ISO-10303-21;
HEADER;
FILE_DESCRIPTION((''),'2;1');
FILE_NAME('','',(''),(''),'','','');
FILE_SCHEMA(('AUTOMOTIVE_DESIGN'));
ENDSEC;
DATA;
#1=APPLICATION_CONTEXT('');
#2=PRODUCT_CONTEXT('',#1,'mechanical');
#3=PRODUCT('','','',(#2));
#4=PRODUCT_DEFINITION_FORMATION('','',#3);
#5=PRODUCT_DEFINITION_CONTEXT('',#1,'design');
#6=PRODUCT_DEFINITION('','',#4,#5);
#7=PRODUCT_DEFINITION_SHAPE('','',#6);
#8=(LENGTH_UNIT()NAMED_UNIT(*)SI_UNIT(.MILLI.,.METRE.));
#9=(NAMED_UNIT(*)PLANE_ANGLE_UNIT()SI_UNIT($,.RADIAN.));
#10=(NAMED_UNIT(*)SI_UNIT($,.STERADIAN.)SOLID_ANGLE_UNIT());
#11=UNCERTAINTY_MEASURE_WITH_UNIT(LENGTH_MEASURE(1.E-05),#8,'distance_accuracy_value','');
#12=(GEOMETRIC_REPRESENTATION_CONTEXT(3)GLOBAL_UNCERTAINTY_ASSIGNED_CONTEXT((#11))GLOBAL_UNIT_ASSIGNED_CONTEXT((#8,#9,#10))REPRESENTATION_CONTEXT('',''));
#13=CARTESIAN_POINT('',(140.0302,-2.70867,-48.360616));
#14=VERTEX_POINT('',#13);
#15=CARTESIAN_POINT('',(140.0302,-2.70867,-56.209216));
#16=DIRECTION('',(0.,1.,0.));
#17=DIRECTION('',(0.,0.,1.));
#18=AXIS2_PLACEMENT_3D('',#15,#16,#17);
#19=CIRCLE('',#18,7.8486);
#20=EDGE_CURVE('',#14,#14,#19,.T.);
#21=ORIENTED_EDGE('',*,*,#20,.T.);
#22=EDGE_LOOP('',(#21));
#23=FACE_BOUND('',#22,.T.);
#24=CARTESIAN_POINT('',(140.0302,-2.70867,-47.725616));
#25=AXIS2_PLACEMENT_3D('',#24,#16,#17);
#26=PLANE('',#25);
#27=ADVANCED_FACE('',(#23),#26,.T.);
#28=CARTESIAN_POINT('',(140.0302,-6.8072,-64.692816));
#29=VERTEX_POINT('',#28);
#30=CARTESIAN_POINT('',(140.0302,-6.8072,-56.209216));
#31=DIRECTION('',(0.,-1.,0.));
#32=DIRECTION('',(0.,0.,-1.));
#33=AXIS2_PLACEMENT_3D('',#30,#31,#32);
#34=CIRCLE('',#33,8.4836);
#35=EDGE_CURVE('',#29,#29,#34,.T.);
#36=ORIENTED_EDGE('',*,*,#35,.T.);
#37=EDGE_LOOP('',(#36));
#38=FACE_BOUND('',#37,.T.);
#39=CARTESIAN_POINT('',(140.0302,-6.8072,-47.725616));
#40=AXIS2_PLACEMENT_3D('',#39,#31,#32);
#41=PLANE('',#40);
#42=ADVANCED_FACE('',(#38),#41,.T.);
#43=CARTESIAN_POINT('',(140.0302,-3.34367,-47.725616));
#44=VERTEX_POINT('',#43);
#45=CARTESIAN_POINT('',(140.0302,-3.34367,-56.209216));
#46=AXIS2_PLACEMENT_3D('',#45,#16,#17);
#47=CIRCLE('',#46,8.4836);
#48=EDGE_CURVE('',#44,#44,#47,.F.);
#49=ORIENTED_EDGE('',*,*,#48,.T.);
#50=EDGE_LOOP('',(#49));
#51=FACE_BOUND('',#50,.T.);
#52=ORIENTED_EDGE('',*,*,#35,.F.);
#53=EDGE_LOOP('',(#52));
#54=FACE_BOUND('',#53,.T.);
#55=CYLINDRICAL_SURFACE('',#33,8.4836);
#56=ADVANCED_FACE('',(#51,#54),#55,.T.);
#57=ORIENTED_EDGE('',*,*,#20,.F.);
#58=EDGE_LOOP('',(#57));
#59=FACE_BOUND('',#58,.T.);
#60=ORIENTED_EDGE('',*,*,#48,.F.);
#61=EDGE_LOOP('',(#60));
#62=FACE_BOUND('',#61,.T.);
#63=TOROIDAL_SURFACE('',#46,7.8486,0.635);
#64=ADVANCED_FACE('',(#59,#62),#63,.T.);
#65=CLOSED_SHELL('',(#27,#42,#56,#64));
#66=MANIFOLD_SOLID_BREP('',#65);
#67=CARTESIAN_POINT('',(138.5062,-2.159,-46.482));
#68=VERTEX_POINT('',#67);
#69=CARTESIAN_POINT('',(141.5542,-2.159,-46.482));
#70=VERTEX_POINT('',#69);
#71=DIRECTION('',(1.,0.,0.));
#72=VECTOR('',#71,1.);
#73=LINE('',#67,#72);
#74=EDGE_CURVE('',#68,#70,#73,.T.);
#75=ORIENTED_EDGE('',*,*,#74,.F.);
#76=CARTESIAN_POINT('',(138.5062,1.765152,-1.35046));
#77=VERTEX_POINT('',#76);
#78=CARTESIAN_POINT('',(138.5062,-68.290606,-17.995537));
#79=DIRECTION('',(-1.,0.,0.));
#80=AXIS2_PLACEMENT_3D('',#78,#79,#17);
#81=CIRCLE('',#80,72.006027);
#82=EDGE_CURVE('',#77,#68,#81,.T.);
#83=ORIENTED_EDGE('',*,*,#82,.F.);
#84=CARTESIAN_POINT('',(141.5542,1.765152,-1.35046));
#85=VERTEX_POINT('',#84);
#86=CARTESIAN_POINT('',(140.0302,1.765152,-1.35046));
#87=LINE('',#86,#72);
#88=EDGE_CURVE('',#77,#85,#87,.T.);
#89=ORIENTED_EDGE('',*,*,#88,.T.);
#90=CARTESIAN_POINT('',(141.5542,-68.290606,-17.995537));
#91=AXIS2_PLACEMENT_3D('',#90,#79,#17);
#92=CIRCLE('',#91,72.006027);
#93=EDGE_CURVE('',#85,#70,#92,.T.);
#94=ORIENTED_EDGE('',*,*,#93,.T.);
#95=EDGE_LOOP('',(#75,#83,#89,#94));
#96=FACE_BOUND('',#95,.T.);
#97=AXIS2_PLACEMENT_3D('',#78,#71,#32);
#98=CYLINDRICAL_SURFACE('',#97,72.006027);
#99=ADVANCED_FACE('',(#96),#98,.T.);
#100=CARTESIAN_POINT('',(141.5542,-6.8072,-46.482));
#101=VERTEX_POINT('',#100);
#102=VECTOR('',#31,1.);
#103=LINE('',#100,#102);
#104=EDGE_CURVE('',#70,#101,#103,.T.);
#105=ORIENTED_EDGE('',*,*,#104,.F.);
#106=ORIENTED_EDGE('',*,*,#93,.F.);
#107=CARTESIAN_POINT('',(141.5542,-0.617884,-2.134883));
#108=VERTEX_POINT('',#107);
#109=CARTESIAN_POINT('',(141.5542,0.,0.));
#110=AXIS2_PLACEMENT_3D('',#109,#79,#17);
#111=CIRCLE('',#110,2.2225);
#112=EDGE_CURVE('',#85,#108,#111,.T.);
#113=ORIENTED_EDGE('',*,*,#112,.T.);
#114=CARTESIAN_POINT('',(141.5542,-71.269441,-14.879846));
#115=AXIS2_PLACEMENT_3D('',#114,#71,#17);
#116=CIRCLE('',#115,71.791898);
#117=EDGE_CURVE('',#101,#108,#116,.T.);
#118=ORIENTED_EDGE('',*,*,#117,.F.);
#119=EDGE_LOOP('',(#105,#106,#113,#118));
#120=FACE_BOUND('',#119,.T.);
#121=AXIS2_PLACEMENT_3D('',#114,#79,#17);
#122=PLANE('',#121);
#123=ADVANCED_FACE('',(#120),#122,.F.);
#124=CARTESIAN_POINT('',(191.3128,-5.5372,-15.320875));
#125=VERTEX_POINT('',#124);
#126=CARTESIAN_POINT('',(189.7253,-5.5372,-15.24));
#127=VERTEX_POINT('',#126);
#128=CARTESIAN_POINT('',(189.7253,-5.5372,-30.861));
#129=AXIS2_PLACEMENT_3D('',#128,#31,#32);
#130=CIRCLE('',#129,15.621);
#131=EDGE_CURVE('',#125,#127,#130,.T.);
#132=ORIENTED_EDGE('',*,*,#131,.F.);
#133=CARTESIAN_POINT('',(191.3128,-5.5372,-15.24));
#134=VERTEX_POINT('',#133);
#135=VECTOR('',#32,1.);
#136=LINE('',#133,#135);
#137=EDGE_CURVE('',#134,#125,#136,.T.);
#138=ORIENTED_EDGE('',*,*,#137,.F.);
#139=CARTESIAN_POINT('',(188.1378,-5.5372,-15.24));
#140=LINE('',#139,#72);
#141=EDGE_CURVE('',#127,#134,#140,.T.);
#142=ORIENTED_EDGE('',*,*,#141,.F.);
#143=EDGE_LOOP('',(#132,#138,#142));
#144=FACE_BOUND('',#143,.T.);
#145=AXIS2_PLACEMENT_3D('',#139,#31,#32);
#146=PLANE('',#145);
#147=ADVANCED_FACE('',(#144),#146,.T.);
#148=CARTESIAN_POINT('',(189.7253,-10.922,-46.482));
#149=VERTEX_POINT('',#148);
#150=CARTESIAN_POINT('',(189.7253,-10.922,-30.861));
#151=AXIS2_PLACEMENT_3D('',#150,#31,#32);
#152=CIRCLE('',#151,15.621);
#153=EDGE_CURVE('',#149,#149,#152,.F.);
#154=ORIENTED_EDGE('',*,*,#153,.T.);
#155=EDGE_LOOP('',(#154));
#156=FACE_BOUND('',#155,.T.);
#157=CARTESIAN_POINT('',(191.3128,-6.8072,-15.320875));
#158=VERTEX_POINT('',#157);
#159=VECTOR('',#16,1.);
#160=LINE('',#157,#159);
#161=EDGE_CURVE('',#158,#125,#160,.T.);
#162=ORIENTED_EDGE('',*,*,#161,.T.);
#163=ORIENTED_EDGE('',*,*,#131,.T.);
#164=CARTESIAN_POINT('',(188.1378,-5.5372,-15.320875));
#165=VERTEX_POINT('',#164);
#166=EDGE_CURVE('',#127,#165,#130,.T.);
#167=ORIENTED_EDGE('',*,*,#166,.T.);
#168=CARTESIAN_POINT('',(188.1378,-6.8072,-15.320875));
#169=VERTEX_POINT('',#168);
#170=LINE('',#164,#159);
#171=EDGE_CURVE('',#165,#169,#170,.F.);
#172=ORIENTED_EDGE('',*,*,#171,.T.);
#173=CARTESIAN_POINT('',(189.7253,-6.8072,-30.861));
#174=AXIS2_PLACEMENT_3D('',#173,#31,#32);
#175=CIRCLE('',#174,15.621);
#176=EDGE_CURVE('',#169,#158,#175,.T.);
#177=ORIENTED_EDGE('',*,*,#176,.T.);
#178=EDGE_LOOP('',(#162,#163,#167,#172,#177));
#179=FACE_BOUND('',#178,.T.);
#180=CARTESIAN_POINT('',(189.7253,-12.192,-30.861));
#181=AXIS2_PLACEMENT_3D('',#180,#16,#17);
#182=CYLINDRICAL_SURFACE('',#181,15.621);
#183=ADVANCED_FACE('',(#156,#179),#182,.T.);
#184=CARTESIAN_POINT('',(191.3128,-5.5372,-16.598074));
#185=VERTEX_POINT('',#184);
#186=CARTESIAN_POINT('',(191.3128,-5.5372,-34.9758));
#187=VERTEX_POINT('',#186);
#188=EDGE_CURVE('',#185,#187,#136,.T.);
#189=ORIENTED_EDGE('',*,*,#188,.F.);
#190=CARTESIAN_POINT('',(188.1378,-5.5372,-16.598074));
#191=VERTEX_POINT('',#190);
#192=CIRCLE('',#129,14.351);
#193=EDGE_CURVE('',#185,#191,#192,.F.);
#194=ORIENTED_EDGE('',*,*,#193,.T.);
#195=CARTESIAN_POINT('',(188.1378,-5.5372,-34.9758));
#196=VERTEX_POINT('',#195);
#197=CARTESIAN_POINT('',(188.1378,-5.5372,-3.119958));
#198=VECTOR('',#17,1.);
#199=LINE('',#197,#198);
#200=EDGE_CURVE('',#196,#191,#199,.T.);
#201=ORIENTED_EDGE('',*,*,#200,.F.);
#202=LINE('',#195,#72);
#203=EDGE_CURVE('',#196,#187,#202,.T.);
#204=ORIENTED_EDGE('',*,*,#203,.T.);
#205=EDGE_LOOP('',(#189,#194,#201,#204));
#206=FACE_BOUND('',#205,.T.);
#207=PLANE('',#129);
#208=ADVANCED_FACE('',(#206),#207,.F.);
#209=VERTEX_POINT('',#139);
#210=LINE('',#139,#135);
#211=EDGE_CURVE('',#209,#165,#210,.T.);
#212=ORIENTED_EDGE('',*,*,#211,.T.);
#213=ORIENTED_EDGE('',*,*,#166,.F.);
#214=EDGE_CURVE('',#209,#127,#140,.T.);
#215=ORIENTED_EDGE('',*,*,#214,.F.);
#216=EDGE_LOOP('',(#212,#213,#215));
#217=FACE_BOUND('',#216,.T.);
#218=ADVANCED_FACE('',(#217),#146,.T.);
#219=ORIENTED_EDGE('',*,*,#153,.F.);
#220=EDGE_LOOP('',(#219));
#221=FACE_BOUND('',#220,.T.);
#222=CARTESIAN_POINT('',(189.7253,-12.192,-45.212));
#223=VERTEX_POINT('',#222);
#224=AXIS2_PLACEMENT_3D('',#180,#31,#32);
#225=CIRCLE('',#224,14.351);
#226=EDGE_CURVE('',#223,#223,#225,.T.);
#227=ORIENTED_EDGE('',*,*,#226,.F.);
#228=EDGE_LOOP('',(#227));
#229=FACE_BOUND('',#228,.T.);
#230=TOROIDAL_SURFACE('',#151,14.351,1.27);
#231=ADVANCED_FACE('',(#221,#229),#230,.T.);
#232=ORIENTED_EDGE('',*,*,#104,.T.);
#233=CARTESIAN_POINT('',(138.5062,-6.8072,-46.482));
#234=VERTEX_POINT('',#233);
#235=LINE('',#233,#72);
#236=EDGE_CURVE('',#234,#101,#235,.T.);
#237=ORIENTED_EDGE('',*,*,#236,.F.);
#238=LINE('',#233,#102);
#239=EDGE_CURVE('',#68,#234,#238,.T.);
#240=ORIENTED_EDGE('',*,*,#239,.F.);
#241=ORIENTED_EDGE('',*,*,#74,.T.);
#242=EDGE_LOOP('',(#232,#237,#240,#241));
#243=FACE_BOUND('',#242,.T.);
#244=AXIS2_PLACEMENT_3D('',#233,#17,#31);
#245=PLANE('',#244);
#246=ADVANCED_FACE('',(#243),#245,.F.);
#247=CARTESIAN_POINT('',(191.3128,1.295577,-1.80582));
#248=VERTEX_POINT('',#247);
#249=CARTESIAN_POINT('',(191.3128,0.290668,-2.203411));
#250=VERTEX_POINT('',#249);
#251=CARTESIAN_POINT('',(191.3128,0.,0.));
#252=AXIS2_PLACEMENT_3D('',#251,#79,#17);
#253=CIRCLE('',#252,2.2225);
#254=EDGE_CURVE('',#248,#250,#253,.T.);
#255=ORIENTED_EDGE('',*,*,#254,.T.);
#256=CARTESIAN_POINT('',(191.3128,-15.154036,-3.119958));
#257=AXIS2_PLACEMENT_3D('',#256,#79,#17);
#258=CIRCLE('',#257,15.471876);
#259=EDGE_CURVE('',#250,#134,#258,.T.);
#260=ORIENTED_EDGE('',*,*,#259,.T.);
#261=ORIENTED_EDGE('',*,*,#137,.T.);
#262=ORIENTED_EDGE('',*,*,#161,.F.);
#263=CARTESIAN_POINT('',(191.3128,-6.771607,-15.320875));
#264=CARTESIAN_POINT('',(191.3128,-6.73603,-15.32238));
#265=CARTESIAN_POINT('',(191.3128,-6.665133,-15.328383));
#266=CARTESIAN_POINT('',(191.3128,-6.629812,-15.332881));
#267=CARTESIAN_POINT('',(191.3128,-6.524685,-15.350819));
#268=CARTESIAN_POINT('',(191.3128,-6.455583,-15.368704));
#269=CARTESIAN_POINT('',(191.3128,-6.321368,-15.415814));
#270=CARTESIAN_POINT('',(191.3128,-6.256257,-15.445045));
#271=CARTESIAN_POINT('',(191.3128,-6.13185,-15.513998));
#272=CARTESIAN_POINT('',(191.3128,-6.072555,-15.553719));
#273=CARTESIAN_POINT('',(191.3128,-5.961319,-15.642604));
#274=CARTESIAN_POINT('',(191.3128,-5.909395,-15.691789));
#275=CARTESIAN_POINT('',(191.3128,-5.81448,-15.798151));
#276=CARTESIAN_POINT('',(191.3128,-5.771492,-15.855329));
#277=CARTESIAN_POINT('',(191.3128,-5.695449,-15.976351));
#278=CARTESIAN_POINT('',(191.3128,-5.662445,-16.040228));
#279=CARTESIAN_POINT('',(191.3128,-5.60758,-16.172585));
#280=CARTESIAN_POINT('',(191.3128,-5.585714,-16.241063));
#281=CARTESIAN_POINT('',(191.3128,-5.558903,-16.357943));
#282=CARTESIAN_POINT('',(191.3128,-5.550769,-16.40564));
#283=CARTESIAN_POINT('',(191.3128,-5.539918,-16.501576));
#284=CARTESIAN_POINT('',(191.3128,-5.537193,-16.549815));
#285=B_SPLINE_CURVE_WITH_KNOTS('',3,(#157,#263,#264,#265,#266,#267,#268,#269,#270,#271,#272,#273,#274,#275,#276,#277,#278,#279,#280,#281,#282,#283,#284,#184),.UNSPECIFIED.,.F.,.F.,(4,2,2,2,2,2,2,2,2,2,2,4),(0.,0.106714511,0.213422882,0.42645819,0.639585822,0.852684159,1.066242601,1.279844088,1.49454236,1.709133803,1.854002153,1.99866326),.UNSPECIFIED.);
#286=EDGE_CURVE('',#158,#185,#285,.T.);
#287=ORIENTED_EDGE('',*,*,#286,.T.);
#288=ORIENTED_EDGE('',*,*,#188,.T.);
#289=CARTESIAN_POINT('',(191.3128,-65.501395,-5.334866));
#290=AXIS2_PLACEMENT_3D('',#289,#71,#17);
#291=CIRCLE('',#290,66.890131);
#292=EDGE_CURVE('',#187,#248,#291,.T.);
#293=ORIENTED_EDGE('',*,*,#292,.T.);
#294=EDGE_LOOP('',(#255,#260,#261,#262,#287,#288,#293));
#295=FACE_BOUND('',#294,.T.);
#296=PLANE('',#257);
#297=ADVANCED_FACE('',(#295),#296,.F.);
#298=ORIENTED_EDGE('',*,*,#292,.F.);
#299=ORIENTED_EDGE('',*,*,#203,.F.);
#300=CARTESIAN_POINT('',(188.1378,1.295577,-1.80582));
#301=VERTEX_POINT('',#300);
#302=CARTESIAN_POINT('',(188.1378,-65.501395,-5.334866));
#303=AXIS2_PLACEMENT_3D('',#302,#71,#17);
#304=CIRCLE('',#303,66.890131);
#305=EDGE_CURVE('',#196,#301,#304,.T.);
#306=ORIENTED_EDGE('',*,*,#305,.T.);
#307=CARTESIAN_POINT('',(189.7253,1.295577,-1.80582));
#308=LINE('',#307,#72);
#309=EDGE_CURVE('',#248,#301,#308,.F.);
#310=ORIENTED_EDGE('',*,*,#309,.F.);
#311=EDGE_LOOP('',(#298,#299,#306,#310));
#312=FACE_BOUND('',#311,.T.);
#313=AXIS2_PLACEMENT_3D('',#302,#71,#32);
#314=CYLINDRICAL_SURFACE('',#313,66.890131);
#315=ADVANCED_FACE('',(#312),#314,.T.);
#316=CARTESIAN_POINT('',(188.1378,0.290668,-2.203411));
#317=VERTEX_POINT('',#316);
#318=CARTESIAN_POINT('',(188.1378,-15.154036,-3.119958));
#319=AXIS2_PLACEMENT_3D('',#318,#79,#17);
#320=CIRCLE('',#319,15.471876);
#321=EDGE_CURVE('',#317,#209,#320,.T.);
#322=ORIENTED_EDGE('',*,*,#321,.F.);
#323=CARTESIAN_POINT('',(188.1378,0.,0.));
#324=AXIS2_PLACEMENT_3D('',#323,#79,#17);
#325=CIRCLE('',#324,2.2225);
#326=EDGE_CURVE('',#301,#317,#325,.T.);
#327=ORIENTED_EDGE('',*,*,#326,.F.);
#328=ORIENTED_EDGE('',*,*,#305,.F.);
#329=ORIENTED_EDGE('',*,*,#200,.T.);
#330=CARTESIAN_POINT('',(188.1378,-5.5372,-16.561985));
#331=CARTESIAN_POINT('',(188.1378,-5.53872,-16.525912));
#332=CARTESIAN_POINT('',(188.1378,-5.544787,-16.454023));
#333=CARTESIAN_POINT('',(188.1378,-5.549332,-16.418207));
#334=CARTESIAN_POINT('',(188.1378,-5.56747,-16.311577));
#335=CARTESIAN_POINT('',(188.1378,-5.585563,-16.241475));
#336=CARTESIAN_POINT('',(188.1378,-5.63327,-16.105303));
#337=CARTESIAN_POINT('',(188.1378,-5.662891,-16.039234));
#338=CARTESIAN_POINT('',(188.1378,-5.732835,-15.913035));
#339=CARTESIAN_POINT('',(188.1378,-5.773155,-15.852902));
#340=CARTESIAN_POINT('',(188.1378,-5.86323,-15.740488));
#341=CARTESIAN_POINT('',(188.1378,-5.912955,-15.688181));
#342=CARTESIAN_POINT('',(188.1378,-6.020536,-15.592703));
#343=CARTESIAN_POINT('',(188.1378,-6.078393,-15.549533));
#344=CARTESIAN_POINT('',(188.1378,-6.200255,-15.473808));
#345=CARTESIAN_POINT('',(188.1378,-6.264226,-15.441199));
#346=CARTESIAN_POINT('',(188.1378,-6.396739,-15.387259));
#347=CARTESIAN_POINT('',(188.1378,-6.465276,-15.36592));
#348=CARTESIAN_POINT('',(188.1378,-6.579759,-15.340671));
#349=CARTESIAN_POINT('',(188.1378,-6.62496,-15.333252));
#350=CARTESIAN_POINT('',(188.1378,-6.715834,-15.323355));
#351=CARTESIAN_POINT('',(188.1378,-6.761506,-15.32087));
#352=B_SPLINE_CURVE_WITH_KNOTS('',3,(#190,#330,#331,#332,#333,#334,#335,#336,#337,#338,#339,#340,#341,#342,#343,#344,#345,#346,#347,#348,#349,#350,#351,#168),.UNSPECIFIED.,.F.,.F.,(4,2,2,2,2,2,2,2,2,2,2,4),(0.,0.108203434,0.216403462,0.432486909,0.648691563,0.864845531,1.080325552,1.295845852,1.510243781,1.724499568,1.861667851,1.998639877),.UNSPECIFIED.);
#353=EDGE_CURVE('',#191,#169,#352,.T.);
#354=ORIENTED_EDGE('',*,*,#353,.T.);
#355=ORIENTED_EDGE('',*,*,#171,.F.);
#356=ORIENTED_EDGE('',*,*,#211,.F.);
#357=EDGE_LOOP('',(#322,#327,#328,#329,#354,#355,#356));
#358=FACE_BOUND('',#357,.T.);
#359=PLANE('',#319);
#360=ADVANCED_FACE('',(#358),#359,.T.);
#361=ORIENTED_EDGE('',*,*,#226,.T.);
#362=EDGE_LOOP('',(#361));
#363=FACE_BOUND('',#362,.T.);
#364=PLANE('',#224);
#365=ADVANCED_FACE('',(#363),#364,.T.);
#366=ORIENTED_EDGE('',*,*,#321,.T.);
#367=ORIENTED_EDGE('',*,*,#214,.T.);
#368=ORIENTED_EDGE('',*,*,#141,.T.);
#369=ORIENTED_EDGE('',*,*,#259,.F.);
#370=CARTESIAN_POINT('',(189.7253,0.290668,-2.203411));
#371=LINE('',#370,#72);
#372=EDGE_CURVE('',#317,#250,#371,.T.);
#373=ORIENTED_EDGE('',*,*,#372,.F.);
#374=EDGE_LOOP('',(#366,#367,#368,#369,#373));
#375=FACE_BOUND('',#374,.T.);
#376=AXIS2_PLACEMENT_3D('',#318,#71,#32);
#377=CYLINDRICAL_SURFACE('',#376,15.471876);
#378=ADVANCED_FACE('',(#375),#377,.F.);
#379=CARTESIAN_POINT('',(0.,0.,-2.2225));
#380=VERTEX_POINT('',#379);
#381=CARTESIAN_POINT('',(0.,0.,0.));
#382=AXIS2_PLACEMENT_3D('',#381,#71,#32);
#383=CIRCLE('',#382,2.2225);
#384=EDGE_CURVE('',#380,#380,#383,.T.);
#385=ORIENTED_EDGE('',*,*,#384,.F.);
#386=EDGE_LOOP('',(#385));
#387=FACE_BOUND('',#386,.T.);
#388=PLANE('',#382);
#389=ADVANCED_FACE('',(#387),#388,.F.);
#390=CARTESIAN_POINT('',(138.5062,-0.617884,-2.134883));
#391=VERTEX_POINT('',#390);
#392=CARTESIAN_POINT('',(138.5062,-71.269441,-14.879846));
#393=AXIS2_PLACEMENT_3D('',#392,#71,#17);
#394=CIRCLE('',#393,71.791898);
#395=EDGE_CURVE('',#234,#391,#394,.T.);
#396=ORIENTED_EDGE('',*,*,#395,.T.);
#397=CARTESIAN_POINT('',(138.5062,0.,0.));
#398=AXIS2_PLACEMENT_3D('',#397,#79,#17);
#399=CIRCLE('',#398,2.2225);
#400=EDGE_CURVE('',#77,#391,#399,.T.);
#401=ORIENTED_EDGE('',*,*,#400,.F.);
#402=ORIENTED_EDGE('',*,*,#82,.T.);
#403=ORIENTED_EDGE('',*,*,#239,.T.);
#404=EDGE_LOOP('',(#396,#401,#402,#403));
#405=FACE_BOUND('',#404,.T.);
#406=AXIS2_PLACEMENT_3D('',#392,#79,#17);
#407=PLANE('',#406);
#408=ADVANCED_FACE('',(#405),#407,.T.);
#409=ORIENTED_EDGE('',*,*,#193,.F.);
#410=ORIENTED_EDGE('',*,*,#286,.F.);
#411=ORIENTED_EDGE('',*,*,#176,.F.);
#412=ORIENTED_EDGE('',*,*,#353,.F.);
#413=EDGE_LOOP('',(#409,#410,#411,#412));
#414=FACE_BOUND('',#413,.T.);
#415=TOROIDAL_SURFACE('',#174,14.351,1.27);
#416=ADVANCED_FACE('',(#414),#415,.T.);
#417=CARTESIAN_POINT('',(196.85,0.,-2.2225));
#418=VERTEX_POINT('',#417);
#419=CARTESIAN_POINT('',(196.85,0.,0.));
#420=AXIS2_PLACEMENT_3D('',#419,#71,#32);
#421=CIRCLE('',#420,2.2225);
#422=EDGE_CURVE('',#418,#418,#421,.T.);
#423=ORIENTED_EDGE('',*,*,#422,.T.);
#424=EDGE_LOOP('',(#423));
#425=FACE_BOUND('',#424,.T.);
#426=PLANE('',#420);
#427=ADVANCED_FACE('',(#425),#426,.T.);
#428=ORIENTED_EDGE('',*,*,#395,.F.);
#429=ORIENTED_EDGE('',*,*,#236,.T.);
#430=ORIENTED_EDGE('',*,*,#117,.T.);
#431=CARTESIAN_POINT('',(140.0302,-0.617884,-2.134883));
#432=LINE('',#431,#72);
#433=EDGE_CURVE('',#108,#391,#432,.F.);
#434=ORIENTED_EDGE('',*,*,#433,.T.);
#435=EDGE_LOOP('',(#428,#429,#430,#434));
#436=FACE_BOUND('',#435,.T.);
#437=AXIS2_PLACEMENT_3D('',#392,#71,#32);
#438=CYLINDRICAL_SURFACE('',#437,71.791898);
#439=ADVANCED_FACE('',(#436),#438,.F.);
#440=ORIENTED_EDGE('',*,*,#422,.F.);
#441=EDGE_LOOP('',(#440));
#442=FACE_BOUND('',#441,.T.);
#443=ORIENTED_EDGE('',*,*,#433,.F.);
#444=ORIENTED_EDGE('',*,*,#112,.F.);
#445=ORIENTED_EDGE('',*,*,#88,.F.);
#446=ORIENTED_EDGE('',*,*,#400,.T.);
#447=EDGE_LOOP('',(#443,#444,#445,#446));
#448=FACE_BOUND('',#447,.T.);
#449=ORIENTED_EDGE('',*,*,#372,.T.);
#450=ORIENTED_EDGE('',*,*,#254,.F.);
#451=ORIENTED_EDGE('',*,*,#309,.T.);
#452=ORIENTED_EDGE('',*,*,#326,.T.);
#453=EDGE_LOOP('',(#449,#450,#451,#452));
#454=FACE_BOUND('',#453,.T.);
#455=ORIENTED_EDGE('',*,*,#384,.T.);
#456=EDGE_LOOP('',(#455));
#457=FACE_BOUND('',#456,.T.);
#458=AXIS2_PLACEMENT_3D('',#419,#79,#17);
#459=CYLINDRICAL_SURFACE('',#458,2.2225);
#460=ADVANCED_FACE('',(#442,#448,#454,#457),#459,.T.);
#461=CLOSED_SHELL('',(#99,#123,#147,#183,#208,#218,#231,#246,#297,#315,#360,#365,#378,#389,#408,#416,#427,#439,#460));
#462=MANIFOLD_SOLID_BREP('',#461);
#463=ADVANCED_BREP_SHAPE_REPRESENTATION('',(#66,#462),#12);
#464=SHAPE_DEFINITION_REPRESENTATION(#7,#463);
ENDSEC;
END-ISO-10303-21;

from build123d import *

# Parameters (mm, degrees)
SKETCH1_R           = 2.2225
BOSS_EXTRUDE1_DEPTH = 196.85
BOSS_EXTRUDE2_DEPTH = 3.175
SKETCH3_R           = 15.621
BOSS_EXTRUDE3_DEPTH = 6.6548
FILLET1_R           = 1.27
BOSS_EXTRUDE4_DEPTH = 3.048
SKETCH7_W           = 8.4836
SKETCH7_H           = 4.098529722
FILLET3_R           = 0.635


with BuildPart() as part:
    # Sketch1 → Boss-Extrude1 (new body)
    with BuildSketch(Plane(origin=(0, 0, 0), x_dir=(0, 0, -1), z_dir=(1, 0, 0))):
        Circle(SKETCH1_R)
    extrude(amount=BOSS_EXTRUDE1_DEPTH)

    # Sketch2 → Boss-Extrude2 (add)
    with BuildSketch(Plane(origin=(191.3128, 0, 0), x_dir=(0, 0, -1), z_dir=(1, 0, 0))):
        with BuildLine():
            Line((15.24, -5.5372), (34.9758, -5.5372))
            ThreePointArc((34.9758, -5.5372), (17.942872857, 0.189759615), (0, 1.175653677))
            Line((0, 1.175653677), (0, 0))
            ThreePointArc((0, 0), (8.40347241, -0.612253918), (15.24, -5.5372))
        make_face()
    extrude(amount=-BOSS_EXTRUDE2_DEPTH)

    # Sketch3 → Boss-Extrude3 (add)
    with BuildSketch(Plane.XZ.offset(5.5372)):
        with Locations(Location((189.7253, -30.861, 0), (0, 0, 90))):
            Circle(SKETCH3_R)
    extrude(amount=BOSS_EXTRUDE3_DEPTH)

    # Fillet1
    fillet1_edges = [part.edges().sort_by_distance(p)[0] for p in [
        (189.7253, -5.5372, -46.482),
        (189.7253, -12.192, -46.482),
    ]]
    fillet(fillet1_edges, radius=FILLET1_R)

    # Sketch6 → Boss-Extrude4 (add)
    with BuildSketch(Plane.ZY.offset(-141.5542)):
        with BuildLine():
            Line((-46.482, -6.8072), (-46.482, -2.159))
            ThreePointArc((-46.482, -2.159), (-23.539538891, 3.501677184), (0, 1.430470604))
            Line((0, 1.430470604), (0, -1.036494262))
            ThreePointArc((0, -1.036494262), (-23.724853498, -0.024493963), (-46.482, -6.8072))
        make_face()
    extrude(amount=BOSS_EXTRUDE4_DEPTH)


with BuildPart() as body_2:
    # Sketch7 → Revolve1 (revolve)
    with BuildSketch(Plane.ZY.offset(-140.0302), mode=Mode.PRIVATE) as revolve1_sk:
        with Locations((-51.967415937, -4.757935139)):
            Rectangle(SKETCH7_W, SKETCH7_H)
    revolve(revolve1_sk.sketch.rotate(Axis((140.0302, -6.8072, -56.209215937), (0, 1, 0)), 180), axis=Axis((140.0302, -6.8072, -56.209215937), (0, 1, 0)))

    # Fillet3
    fillet3_edges = [body_2.edges().sort_by_distance(p)[0] for p in [
        (140.0302, -2.708670278, -47.725615937),
    ]]
    fillet(fillet3_edges, radius=FILLET3_R)


solid = Compound([part.part, body_2.part])
